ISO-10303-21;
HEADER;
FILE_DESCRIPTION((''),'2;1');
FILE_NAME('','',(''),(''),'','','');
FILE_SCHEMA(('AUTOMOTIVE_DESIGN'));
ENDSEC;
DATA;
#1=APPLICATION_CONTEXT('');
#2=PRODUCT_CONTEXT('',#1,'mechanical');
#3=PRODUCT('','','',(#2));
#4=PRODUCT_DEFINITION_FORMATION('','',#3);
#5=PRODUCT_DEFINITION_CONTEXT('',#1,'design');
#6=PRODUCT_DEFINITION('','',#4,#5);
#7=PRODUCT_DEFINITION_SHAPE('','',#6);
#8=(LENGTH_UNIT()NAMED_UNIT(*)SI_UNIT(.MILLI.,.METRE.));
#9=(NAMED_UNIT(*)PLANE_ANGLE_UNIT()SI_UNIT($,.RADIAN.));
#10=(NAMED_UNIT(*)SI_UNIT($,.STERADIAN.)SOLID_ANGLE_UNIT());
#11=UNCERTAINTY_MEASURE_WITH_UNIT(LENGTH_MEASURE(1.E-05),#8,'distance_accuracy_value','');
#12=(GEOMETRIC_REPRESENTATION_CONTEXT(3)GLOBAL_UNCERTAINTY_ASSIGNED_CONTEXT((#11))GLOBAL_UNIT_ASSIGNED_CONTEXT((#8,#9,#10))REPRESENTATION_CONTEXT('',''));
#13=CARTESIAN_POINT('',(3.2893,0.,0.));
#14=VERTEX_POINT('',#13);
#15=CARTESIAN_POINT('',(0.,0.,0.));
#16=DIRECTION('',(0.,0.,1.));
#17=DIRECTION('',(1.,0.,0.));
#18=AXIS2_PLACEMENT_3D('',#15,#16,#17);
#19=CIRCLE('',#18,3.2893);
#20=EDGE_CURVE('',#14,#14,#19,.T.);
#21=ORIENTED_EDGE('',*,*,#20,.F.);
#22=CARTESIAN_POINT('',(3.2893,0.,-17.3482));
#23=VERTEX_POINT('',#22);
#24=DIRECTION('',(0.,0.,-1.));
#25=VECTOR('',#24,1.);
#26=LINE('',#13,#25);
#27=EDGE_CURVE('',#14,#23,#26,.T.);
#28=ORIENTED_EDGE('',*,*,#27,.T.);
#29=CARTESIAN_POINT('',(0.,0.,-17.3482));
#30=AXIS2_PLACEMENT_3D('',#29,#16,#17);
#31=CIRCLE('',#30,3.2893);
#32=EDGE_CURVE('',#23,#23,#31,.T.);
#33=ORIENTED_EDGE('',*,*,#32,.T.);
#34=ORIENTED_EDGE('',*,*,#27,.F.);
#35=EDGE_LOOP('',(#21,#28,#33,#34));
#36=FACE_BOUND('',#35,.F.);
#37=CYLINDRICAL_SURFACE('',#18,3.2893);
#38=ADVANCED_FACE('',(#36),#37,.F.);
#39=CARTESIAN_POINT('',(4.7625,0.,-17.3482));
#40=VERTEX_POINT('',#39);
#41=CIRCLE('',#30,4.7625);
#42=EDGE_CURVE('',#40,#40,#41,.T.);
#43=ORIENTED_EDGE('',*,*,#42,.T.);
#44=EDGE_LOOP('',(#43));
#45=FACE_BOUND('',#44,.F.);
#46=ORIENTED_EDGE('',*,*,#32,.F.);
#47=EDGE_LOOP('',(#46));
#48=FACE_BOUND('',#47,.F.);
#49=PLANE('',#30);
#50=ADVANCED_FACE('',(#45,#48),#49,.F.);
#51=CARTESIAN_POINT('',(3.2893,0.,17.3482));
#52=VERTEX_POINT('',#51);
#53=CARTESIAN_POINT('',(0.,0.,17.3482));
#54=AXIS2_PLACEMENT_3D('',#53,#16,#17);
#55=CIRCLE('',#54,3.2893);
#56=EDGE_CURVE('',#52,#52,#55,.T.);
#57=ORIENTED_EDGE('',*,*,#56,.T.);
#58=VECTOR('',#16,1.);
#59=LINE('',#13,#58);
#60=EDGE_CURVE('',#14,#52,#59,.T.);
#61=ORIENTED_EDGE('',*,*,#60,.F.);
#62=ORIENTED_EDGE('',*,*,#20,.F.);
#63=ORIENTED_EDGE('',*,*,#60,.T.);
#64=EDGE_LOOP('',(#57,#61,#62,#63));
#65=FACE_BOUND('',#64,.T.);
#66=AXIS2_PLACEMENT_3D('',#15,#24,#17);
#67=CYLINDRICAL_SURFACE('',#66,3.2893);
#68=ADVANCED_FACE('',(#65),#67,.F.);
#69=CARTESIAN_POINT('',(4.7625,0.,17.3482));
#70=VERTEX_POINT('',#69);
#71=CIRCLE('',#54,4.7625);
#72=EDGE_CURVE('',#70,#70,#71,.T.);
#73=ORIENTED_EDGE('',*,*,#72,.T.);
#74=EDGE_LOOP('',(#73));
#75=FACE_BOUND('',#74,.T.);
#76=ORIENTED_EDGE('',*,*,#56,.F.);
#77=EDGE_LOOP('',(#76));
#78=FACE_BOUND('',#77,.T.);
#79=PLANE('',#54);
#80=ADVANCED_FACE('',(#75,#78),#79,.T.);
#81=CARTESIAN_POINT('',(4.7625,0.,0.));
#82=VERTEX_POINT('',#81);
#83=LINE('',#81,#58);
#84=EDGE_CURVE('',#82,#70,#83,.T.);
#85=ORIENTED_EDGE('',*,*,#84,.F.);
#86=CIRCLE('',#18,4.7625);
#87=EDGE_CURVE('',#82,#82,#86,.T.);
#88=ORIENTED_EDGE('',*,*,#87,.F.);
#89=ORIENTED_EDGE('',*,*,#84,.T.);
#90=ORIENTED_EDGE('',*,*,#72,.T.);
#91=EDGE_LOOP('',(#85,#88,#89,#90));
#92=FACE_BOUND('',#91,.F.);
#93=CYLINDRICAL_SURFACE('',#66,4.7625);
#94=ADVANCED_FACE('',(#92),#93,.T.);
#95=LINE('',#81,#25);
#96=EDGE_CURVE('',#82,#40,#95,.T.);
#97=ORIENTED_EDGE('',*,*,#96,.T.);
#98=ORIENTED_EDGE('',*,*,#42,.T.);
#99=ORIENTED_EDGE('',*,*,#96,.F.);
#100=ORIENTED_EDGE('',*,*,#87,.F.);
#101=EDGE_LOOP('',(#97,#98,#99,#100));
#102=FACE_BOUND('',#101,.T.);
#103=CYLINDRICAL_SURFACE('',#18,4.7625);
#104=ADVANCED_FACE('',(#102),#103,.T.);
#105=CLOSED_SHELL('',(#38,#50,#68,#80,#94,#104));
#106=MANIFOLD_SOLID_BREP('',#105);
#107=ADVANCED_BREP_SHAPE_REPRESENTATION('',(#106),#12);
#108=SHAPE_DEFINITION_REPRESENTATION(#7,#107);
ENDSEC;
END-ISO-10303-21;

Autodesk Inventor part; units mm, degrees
ref_plane "YZ Plane" through (0, 0, 0) normal (1, 0, 0) x (0, 1, 0)
ref_plane "XZ Plane" through (0, 0, 0) normal (0, 1, 0) x (-1, 0, 0)
ref_plane "XY Plane" through (0, 0, 0) normal (0, 0, 1) x (1, 0, 0)
sketch "Sketch1" plane through (0, 0, 0) normal (0, 0, 1) x (1, 0, 0)
  circle A0 centre (0, 0) radius 4.7625
  circle A1 centre (0, 0) radius 3.2893
  dimension "d0" = 9.525
  dimension "d1" = 6.5786
extrude "Extrusion1" add sketch "Sketch1" along normal mid plane 34.6964
properties part number "0.259ID x 0.375OD x 1.375in Aluminum Spacer" material "Aluminum 6061"
